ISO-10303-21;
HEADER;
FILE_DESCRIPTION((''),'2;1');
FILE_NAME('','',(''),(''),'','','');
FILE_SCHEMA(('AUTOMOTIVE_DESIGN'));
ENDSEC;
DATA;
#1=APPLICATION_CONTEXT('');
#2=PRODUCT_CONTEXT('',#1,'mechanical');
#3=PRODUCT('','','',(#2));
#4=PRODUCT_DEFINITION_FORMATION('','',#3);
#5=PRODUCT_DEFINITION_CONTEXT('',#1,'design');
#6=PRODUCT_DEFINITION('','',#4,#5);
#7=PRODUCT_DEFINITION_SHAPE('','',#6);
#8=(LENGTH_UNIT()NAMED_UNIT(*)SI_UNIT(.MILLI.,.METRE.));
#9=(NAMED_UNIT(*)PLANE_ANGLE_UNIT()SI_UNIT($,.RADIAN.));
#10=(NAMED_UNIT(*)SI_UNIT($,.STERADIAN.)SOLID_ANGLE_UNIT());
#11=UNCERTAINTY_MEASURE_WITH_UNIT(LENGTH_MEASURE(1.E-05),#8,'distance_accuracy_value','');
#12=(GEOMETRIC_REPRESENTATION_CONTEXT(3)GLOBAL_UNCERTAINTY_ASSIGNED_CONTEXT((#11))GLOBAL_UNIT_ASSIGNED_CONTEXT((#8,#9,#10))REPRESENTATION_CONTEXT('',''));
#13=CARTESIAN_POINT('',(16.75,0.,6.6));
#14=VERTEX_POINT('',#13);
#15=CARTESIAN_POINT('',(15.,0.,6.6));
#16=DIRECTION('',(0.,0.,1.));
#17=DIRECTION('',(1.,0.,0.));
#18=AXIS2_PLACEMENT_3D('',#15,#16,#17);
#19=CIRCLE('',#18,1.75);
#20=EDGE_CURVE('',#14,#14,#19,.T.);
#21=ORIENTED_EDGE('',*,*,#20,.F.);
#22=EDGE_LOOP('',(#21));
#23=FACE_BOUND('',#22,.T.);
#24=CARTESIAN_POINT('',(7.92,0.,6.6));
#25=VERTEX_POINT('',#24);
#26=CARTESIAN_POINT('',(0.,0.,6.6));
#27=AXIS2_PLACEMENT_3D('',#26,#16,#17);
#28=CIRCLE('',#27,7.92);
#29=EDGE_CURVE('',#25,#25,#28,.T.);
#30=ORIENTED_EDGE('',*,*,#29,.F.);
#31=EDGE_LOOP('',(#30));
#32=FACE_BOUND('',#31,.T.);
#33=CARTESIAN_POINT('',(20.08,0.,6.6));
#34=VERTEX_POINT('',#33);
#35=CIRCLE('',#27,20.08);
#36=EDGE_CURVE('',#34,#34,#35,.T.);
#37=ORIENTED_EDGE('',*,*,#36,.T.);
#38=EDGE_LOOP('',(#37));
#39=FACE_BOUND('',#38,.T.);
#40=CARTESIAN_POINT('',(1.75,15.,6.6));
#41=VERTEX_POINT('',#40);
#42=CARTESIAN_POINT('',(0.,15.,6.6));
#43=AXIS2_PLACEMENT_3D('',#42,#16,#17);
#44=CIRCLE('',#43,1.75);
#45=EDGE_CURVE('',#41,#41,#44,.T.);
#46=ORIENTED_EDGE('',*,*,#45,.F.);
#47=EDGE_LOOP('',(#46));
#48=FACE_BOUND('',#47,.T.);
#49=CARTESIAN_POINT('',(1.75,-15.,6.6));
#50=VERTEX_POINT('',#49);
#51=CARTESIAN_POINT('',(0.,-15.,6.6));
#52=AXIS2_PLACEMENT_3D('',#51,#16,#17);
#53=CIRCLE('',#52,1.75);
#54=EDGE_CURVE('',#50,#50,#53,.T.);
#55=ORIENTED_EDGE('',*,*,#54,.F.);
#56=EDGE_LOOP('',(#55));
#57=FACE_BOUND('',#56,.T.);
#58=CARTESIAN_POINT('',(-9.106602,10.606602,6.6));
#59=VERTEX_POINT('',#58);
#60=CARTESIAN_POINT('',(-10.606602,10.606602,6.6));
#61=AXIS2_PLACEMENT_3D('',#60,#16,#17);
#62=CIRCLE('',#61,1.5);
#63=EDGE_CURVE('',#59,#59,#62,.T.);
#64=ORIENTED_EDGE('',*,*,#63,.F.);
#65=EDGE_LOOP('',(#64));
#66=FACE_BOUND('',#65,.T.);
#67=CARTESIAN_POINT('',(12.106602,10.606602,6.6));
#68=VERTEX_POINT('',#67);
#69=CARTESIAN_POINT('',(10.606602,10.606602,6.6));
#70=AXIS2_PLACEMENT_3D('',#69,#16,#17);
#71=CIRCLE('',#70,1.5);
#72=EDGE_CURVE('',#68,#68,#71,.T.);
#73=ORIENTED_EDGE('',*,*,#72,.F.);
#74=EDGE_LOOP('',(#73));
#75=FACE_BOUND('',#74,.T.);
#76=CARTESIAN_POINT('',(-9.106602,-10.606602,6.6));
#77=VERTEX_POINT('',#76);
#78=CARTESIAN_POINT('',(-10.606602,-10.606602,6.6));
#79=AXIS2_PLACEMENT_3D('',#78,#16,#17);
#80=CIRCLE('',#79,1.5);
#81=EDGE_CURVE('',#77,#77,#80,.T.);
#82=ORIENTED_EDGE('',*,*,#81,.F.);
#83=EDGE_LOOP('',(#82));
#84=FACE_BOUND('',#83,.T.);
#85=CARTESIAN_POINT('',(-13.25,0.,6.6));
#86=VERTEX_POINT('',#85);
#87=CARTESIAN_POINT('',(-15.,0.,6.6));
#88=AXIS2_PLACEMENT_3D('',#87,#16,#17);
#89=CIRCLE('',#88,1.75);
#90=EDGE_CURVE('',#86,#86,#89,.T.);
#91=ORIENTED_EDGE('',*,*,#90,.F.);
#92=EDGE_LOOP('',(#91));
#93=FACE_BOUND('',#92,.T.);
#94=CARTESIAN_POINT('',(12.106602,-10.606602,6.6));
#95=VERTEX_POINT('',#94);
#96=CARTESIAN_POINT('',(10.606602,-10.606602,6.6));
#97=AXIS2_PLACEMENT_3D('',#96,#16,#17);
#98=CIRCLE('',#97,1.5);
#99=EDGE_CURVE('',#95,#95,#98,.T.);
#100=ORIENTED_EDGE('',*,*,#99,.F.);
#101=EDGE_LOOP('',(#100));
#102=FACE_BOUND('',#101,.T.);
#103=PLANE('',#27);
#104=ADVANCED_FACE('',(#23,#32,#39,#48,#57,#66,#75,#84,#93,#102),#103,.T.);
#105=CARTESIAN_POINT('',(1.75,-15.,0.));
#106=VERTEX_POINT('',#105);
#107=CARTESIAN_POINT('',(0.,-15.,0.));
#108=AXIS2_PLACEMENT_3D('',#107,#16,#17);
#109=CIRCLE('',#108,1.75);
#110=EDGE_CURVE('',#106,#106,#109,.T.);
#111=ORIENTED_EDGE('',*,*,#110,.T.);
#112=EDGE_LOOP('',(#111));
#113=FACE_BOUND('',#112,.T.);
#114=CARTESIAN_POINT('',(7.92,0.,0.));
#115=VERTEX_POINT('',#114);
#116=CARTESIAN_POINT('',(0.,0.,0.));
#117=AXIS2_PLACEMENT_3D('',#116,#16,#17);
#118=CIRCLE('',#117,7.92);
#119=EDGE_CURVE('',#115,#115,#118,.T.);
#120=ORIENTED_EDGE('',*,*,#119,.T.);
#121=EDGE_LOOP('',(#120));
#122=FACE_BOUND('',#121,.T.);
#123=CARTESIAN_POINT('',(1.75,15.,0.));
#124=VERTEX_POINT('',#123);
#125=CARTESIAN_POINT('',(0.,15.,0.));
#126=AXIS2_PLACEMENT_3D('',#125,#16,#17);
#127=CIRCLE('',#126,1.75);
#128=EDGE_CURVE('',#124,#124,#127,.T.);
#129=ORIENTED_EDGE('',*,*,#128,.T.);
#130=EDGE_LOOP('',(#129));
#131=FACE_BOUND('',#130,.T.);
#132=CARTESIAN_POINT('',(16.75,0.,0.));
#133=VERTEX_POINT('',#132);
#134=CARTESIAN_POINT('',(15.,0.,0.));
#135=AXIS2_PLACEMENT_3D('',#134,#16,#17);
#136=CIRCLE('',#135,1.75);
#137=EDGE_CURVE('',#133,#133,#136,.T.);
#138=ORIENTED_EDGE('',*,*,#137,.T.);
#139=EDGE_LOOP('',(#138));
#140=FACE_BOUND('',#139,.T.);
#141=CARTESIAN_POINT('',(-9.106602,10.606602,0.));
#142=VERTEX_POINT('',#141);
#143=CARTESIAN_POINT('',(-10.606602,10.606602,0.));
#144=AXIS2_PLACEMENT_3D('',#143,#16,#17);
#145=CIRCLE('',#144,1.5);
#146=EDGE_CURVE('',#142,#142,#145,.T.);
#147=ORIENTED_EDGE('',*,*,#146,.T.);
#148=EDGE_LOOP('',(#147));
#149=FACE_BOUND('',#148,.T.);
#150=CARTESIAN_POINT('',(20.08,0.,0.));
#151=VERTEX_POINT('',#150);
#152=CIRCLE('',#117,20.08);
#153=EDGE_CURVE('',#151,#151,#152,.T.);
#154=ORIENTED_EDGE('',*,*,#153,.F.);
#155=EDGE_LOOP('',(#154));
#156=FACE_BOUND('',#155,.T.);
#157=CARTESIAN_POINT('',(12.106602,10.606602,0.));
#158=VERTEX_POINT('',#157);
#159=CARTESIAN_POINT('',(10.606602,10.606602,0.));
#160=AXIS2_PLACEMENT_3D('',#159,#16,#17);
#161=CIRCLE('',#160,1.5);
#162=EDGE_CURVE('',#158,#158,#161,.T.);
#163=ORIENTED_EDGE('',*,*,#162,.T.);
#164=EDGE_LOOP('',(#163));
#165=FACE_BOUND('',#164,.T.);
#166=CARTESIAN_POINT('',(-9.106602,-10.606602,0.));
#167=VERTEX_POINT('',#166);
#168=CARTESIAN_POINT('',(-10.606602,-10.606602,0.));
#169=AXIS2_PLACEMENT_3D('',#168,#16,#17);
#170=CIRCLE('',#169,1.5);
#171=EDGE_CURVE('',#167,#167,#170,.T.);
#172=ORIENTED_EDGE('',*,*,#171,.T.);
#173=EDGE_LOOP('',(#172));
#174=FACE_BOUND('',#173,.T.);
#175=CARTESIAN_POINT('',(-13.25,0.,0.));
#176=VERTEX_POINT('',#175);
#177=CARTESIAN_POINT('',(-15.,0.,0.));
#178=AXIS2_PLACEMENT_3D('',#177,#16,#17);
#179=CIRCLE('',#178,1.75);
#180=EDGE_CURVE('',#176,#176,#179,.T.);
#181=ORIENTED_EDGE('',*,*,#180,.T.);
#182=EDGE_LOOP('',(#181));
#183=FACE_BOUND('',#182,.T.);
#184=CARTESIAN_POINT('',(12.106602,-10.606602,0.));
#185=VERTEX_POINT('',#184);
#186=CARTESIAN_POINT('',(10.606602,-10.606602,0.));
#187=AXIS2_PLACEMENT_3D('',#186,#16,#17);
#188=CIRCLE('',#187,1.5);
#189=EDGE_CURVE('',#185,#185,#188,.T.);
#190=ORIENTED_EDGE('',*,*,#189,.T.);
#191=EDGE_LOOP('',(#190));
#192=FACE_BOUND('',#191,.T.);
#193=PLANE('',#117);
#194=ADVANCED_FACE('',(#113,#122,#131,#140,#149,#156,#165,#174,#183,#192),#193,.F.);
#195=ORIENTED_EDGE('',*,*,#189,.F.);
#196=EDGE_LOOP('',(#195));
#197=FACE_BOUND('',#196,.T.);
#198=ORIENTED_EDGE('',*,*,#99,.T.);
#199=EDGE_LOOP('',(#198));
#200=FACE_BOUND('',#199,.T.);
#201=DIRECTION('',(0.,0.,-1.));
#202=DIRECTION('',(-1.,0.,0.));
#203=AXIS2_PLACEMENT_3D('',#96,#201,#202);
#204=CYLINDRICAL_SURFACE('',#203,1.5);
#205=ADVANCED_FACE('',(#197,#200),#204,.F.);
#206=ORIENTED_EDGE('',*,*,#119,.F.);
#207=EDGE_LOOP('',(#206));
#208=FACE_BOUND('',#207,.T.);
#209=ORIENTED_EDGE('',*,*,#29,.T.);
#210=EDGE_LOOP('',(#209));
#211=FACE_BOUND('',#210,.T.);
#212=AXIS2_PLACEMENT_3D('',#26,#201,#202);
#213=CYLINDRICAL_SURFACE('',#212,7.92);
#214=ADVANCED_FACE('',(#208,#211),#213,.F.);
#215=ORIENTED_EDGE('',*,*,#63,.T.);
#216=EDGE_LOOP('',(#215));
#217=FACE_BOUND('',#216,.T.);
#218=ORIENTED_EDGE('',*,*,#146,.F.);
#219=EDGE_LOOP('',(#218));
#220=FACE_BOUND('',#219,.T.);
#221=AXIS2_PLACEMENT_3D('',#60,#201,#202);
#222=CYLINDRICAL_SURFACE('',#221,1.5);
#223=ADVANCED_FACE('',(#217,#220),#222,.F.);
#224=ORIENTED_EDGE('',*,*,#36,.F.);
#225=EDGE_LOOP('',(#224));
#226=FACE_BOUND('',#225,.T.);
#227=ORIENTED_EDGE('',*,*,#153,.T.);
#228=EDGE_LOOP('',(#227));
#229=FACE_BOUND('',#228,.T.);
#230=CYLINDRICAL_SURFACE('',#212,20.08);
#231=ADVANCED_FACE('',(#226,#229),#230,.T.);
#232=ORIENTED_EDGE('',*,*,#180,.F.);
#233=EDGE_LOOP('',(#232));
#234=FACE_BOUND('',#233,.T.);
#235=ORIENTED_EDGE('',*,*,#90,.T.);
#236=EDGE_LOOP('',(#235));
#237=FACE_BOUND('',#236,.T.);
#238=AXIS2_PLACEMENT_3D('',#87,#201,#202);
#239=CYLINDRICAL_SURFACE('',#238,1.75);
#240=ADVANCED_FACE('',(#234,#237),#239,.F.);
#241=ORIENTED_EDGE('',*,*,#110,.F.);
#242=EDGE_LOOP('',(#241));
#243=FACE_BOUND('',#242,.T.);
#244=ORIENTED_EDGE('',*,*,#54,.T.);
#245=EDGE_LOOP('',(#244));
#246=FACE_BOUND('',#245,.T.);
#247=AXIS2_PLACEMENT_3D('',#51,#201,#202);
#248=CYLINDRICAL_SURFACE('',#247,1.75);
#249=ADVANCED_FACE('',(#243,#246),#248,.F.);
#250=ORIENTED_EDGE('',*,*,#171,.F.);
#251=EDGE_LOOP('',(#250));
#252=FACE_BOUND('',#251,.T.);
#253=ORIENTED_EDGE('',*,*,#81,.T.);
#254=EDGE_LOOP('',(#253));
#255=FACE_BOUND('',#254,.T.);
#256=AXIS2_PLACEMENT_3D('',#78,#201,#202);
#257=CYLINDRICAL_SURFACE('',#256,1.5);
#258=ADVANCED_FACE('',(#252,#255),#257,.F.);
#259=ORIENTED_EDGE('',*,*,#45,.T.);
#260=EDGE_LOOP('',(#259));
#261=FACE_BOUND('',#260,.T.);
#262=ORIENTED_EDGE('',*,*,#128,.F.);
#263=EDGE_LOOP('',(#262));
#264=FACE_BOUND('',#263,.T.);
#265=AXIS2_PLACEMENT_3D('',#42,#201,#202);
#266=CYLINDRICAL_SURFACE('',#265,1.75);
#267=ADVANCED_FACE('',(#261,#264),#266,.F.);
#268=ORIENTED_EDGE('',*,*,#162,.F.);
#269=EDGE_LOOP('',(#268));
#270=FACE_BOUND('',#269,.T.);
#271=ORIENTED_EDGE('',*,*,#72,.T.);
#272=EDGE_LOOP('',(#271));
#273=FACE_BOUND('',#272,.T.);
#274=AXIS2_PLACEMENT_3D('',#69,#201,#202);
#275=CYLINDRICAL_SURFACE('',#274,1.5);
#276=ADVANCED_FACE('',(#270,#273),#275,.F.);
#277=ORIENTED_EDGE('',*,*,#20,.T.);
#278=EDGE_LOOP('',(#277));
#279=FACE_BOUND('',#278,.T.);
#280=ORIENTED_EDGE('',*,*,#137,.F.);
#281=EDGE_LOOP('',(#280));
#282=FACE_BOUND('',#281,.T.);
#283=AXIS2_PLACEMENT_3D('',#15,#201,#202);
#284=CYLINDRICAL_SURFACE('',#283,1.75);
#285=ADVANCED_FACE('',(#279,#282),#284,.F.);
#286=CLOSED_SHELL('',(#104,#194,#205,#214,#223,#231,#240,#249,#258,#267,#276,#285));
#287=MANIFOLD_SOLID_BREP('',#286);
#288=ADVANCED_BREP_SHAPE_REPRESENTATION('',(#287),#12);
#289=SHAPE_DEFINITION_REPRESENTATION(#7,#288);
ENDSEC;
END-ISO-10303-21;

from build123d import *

# Parameters (mm, degrees)
SKETCH1_R           = 20
SKETCH1_R_2         = 8
SKETCH1_R_3         = 1.75
SKETCH1_R_4         = 1.5
BOSS_EXTRUDE1_DEPTH = 6.6
MOVE_FACE1_BY       = 0.08
MOVE_FACE1_2_BY     = 0.08


with BuildPart() as part:
    # Sketch1 → Boss-Extrude1 (new body)
    with BuildSketch(Plane.XY):
        Circle(SKETCH1_R)
        Circle(SKETCH1_R_2, mode=Mode.SUBTRACT)
        with Locations((0, 15)):
            Circle(SKETCH1_R_3, mode=Mode.SUBTRACT)
        with Locations((10.606601718, 10.606601718)):
            Circle(SKETCH1_R_4, mode=Mode.SUBTRACT)
        with Locations((15, 0)):
            Circle(SKETCH1_R_3, mode=Mode.SUBTRACT)
        with Locations((10.606601718, -10.606601718)):
            Circle(SKETCH1_R_4, mode=Mode.SUBTRACT)
        with Locations((0, -15)):
            Circle(SKETCH1_R_3, mode=Mode.SUBTRACT)
        with Locations((-10.606601718, -10.606601718)):
            Circle(SKETCH1_R_4, mode=Mode.SUBTRACT)
        with Locations((-15, 0)):
            Circle(SKETCH1_R_3, mode=Mode.SUBTRACT)
        with Locations((-10.606601718, 10.606601718)):
            Circle(SKETCH1_R_4, mode=Mode.SUBTRACT)
    extrude(amount=BOSS_EXTRUDE1_DEPTH)

    # Move Face1: a curved face moved outward by 0.08
    add(Solid.thicken(part.faces().sort_by_distance((-8, 0, 3.3))[0], MOVE_FACE1_BY))

    # Move Face1 2: a curved face moved outward by 0.08
    add(Solid.thicken(part.faces().sort_by_distance((-20, 0, 3.3))[0], MOVE_FACE1_2_BY))


solid = part.part
